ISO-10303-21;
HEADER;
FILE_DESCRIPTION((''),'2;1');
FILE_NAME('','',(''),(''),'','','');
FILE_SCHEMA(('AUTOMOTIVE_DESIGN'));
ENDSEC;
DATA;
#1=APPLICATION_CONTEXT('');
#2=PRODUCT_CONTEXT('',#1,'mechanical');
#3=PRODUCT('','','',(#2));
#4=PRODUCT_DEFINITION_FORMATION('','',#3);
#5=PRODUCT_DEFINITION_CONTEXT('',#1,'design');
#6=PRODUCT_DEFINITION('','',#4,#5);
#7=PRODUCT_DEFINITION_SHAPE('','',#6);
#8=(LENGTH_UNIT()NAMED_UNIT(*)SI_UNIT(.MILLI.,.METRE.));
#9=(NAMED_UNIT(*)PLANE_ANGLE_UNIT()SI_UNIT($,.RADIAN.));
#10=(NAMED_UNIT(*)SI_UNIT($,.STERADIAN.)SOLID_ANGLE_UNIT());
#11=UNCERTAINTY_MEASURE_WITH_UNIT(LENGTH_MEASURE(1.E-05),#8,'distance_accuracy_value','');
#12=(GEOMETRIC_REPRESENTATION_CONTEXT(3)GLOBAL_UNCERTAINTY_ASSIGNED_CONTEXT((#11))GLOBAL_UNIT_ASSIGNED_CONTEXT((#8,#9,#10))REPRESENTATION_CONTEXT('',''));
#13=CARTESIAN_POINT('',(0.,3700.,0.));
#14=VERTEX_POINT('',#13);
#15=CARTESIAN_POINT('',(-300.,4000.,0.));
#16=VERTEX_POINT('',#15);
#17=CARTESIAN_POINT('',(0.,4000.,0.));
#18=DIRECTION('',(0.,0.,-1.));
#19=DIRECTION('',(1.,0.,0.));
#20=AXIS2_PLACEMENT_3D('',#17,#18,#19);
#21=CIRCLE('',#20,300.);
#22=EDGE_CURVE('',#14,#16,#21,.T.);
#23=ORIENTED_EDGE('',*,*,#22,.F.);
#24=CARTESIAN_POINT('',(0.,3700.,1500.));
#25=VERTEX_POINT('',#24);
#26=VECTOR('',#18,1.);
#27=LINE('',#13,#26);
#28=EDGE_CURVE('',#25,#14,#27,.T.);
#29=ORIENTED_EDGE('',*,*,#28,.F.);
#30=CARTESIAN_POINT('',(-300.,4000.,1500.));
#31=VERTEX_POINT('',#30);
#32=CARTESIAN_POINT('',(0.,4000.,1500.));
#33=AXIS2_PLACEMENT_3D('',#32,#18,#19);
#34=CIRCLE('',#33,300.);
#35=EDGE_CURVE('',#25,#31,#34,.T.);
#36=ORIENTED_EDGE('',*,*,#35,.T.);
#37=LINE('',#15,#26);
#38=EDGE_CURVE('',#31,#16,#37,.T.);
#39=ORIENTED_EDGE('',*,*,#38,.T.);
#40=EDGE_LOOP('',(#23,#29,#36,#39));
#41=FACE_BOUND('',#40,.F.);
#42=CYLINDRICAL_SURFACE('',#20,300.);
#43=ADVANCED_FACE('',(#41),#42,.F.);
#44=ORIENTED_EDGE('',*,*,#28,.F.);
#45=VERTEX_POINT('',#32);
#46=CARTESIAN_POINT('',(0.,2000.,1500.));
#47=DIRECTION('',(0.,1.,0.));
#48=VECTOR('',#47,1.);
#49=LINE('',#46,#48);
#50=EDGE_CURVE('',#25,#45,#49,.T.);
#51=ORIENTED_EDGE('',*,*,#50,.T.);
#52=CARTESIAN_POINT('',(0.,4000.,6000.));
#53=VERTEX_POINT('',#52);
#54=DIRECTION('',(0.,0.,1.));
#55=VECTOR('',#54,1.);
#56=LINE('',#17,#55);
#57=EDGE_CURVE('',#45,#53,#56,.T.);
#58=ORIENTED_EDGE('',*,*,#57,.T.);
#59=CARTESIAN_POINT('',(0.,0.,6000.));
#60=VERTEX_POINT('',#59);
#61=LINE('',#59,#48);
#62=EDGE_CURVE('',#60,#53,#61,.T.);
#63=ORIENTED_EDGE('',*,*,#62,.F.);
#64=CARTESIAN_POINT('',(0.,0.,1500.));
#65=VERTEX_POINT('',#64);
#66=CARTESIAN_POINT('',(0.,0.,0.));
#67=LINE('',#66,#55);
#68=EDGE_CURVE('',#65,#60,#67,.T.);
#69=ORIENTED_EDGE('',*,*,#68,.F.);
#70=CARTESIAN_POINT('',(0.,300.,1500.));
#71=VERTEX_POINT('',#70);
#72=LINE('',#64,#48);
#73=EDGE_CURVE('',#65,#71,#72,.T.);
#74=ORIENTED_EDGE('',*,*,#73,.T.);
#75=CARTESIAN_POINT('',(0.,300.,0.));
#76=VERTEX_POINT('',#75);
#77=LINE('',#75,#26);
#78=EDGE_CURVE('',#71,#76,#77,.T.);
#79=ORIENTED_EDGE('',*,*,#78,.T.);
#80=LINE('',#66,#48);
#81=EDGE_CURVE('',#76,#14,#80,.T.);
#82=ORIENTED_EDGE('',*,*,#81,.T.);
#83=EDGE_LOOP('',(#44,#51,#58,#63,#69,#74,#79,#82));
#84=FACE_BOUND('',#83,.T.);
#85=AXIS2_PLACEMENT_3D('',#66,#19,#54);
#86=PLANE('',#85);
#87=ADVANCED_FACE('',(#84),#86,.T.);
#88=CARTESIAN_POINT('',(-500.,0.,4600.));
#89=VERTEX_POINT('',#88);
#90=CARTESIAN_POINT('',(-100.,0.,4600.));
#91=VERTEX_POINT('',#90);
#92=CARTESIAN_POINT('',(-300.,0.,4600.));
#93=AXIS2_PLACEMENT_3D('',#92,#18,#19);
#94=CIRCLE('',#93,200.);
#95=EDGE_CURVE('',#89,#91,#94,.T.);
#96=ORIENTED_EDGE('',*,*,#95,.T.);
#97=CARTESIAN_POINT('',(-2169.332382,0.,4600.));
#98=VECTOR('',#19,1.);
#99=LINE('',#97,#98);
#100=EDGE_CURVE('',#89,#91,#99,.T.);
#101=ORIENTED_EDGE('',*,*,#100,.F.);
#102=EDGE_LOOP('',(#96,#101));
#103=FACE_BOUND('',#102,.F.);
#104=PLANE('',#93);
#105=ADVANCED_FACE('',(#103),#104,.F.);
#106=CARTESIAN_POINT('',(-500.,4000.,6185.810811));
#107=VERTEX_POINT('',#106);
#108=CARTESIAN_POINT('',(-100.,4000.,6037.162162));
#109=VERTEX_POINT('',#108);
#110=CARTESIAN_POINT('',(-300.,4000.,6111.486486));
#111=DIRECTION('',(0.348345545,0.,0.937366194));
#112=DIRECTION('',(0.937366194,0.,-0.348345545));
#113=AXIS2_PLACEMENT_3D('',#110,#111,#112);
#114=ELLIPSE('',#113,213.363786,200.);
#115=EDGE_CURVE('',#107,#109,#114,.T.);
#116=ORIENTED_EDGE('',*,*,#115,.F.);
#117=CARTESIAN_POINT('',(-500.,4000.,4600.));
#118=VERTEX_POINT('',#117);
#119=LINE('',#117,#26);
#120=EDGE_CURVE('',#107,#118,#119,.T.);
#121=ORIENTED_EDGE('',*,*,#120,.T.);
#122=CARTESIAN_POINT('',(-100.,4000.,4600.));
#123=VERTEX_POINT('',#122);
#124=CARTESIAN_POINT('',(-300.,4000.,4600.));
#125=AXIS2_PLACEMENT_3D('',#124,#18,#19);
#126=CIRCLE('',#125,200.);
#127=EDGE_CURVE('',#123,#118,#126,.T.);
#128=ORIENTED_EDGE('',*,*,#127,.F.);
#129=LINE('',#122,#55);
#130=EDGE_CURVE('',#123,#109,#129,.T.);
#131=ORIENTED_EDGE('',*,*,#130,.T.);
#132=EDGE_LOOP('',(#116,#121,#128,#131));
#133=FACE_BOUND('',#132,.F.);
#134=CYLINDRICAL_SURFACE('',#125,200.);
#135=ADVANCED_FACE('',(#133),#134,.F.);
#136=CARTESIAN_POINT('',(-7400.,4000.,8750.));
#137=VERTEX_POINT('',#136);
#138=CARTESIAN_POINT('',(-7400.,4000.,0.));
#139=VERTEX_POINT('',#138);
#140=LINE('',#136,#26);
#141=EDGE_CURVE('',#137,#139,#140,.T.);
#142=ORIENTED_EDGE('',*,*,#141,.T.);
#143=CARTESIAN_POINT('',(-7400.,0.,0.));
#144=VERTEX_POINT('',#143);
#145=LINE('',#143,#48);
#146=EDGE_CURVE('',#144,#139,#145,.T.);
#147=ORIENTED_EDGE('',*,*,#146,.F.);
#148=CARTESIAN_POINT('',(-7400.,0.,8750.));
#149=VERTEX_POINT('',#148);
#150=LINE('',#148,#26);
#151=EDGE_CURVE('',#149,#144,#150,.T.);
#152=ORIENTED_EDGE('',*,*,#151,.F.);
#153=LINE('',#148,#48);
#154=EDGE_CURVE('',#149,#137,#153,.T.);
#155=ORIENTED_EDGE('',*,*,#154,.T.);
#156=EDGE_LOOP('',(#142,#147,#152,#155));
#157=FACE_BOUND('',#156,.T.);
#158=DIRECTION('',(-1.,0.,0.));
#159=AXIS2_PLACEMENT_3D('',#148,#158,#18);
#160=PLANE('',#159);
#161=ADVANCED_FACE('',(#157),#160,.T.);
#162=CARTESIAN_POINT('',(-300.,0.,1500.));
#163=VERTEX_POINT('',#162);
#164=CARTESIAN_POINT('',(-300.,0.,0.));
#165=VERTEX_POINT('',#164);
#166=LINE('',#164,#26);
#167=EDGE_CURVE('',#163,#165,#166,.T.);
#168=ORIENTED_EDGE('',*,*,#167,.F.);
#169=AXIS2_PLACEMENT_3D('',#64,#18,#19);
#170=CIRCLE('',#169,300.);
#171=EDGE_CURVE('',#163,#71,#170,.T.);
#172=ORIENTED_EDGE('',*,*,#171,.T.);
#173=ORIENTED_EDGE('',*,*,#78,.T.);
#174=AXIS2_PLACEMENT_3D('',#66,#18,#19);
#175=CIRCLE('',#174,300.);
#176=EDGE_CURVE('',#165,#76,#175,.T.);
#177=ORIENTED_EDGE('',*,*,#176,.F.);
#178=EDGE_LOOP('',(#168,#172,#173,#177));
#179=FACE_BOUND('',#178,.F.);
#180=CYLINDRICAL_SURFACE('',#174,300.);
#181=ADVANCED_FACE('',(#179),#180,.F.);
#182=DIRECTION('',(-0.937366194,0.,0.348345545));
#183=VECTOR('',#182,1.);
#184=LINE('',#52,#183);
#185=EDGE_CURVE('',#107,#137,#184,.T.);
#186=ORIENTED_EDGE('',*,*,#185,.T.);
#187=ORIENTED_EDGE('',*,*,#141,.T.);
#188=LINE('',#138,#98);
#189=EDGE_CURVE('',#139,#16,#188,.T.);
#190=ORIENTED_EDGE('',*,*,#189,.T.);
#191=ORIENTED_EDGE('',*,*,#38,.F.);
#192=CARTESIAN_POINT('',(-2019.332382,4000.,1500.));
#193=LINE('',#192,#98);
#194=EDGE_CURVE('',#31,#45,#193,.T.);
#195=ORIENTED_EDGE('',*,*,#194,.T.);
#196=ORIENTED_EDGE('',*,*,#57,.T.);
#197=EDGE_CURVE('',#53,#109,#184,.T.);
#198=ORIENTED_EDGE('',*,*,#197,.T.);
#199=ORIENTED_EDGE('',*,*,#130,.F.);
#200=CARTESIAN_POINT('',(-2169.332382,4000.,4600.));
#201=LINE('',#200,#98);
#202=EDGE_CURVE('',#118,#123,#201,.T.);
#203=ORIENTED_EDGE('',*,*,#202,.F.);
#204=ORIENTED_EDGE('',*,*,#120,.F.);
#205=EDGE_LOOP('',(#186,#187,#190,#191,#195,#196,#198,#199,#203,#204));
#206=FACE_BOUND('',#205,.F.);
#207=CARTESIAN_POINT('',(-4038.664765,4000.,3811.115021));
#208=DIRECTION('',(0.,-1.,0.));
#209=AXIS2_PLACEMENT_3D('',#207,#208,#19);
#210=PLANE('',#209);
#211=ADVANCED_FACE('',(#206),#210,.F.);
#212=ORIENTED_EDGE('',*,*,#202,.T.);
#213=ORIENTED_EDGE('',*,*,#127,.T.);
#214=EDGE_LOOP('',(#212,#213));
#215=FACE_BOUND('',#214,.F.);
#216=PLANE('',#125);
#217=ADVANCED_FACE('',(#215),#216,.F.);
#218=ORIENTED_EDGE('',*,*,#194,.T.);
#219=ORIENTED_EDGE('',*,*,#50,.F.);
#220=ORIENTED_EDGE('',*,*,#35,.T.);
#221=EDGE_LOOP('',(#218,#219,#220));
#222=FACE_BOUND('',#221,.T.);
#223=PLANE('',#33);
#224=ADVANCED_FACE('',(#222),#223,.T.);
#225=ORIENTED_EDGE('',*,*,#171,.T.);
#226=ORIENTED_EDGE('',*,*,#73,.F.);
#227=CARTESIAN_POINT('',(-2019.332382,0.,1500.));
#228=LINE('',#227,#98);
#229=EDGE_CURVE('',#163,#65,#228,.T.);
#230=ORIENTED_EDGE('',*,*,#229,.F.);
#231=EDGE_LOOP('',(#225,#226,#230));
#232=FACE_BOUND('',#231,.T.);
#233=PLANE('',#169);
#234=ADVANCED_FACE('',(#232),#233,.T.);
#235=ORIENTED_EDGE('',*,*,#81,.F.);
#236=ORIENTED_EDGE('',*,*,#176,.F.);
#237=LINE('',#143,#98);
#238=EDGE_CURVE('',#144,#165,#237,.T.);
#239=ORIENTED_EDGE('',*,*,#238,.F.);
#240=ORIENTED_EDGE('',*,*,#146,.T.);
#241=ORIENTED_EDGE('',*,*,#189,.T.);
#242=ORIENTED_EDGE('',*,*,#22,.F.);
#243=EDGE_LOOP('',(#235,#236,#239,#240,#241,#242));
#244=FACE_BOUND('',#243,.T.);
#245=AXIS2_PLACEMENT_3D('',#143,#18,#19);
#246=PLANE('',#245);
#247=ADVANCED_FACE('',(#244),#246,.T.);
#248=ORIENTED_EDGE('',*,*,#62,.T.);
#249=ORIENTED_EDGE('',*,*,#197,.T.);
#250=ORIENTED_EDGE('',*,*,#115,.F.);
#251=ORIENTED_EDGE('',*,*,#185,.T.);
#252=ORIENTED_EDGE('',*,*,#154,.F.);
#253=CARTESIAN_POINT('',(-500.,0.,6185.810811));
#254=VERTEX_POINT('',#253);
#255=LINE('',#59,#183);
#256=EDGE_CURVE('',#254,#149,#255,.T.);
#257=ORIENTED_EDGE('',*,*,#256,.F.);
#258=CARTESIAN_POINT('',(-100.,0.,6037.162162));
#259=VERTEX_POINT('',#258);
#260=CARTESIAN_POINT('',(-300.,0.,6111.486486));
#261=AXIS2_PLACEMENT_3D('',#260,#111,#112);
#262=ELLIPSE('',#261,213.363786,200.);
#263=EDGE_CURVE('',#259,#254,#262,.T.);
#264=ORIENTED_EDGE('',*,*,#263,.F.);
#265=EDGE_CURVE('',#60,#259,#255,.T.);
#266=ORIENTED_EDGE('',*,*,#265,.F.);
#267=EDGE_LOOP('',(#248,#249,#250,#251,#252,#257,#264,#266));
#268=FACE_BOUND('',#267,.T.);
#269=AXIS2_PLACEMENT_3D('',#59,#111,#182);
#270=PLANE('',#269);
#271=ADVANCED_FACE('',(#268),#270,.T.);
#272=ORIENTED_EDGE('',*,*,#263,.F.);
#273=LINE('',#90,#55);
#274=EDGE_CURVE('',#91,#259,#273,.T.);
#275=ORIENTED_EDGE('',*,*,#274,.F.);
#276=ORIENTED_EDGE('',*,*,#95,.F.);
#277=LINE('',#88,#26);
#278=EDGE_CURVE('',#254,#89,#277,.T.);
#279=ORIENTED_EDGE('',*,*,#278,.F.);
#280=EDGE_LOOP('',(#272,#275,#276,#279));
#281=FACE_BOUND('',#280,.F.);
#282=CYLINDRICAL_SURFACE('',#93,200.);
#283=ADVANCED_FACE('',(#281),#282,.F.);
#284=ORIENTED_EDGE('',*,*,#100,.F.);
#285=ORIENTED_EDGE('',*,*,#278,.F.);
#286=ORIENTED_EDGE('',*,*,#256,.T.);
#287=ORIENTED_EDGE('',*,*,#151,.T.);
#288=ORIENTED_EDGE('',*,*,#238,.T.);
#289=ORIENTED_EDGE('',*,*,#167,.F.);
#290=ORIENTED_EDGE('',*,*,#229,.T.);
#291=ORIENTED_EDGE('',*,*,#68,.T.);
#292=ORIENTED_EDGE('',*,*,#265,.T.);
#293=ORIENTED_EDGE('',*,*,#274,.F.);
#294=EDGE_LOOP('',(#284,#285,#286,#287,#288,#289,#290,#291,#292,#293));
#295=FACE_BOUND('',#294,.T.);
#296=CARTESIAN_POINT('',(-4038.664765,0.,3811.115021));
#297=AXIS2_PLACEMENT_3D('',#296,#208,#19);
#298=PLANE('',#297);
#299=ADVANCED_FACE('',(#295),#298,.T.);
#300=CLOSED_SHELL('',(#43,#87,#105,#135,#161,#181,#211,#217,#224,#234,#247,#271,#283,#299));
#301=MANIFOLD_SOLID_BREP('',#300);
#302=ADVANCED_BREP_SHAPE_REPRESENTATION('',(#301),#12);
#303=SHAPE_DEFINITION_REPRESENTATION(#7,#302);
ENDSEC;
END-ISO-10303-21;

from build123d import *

# Parameters (mm, degrees)
F1_DEPTH = 4000
F2_R     = 300
F3_DEPTH = 1500
F5_R     = 200
F6_DEPTH = 1586.8108108108


with BuildPart() as f1:
    # F0 (on Front) → F1 (new body)
    with BuildSketch(Plane.XZ):
        Polygon((-7400, 0), (0, 0), (0, 6000), (-7400, 8750), align=None)
    extrude(amount=-F1_DEPTH)

    # F2 (on face) → F3 (cut)
    with BuildSketch(Plane(origin=(0, 0, 0), x_dir=(1, 0, 0), z_dir=(0, 0, -1))):
        Circle(F2_R)
        with Locations((0, -4000)):
            Circle(F2_R)
    extrude(amount=-F3_DEPTH, mode=Mode.SUBTRACT)

    # F5 (on offset) → F6 (cut, up to face)
    with BuildSketch(Plane(origin=(0, 0, 4600), x_dir=(1, 0, 0), z_dir=(0, 0, -1))):
        with Locations((-300, 0)):
            Circle(F5_R)
        with Locations((-300, -4000)):
            Circle(F5_R)
    extrude(amount=-F6_DEPTH, mode=Mode.SUBTRACT)


solid = f1.part
